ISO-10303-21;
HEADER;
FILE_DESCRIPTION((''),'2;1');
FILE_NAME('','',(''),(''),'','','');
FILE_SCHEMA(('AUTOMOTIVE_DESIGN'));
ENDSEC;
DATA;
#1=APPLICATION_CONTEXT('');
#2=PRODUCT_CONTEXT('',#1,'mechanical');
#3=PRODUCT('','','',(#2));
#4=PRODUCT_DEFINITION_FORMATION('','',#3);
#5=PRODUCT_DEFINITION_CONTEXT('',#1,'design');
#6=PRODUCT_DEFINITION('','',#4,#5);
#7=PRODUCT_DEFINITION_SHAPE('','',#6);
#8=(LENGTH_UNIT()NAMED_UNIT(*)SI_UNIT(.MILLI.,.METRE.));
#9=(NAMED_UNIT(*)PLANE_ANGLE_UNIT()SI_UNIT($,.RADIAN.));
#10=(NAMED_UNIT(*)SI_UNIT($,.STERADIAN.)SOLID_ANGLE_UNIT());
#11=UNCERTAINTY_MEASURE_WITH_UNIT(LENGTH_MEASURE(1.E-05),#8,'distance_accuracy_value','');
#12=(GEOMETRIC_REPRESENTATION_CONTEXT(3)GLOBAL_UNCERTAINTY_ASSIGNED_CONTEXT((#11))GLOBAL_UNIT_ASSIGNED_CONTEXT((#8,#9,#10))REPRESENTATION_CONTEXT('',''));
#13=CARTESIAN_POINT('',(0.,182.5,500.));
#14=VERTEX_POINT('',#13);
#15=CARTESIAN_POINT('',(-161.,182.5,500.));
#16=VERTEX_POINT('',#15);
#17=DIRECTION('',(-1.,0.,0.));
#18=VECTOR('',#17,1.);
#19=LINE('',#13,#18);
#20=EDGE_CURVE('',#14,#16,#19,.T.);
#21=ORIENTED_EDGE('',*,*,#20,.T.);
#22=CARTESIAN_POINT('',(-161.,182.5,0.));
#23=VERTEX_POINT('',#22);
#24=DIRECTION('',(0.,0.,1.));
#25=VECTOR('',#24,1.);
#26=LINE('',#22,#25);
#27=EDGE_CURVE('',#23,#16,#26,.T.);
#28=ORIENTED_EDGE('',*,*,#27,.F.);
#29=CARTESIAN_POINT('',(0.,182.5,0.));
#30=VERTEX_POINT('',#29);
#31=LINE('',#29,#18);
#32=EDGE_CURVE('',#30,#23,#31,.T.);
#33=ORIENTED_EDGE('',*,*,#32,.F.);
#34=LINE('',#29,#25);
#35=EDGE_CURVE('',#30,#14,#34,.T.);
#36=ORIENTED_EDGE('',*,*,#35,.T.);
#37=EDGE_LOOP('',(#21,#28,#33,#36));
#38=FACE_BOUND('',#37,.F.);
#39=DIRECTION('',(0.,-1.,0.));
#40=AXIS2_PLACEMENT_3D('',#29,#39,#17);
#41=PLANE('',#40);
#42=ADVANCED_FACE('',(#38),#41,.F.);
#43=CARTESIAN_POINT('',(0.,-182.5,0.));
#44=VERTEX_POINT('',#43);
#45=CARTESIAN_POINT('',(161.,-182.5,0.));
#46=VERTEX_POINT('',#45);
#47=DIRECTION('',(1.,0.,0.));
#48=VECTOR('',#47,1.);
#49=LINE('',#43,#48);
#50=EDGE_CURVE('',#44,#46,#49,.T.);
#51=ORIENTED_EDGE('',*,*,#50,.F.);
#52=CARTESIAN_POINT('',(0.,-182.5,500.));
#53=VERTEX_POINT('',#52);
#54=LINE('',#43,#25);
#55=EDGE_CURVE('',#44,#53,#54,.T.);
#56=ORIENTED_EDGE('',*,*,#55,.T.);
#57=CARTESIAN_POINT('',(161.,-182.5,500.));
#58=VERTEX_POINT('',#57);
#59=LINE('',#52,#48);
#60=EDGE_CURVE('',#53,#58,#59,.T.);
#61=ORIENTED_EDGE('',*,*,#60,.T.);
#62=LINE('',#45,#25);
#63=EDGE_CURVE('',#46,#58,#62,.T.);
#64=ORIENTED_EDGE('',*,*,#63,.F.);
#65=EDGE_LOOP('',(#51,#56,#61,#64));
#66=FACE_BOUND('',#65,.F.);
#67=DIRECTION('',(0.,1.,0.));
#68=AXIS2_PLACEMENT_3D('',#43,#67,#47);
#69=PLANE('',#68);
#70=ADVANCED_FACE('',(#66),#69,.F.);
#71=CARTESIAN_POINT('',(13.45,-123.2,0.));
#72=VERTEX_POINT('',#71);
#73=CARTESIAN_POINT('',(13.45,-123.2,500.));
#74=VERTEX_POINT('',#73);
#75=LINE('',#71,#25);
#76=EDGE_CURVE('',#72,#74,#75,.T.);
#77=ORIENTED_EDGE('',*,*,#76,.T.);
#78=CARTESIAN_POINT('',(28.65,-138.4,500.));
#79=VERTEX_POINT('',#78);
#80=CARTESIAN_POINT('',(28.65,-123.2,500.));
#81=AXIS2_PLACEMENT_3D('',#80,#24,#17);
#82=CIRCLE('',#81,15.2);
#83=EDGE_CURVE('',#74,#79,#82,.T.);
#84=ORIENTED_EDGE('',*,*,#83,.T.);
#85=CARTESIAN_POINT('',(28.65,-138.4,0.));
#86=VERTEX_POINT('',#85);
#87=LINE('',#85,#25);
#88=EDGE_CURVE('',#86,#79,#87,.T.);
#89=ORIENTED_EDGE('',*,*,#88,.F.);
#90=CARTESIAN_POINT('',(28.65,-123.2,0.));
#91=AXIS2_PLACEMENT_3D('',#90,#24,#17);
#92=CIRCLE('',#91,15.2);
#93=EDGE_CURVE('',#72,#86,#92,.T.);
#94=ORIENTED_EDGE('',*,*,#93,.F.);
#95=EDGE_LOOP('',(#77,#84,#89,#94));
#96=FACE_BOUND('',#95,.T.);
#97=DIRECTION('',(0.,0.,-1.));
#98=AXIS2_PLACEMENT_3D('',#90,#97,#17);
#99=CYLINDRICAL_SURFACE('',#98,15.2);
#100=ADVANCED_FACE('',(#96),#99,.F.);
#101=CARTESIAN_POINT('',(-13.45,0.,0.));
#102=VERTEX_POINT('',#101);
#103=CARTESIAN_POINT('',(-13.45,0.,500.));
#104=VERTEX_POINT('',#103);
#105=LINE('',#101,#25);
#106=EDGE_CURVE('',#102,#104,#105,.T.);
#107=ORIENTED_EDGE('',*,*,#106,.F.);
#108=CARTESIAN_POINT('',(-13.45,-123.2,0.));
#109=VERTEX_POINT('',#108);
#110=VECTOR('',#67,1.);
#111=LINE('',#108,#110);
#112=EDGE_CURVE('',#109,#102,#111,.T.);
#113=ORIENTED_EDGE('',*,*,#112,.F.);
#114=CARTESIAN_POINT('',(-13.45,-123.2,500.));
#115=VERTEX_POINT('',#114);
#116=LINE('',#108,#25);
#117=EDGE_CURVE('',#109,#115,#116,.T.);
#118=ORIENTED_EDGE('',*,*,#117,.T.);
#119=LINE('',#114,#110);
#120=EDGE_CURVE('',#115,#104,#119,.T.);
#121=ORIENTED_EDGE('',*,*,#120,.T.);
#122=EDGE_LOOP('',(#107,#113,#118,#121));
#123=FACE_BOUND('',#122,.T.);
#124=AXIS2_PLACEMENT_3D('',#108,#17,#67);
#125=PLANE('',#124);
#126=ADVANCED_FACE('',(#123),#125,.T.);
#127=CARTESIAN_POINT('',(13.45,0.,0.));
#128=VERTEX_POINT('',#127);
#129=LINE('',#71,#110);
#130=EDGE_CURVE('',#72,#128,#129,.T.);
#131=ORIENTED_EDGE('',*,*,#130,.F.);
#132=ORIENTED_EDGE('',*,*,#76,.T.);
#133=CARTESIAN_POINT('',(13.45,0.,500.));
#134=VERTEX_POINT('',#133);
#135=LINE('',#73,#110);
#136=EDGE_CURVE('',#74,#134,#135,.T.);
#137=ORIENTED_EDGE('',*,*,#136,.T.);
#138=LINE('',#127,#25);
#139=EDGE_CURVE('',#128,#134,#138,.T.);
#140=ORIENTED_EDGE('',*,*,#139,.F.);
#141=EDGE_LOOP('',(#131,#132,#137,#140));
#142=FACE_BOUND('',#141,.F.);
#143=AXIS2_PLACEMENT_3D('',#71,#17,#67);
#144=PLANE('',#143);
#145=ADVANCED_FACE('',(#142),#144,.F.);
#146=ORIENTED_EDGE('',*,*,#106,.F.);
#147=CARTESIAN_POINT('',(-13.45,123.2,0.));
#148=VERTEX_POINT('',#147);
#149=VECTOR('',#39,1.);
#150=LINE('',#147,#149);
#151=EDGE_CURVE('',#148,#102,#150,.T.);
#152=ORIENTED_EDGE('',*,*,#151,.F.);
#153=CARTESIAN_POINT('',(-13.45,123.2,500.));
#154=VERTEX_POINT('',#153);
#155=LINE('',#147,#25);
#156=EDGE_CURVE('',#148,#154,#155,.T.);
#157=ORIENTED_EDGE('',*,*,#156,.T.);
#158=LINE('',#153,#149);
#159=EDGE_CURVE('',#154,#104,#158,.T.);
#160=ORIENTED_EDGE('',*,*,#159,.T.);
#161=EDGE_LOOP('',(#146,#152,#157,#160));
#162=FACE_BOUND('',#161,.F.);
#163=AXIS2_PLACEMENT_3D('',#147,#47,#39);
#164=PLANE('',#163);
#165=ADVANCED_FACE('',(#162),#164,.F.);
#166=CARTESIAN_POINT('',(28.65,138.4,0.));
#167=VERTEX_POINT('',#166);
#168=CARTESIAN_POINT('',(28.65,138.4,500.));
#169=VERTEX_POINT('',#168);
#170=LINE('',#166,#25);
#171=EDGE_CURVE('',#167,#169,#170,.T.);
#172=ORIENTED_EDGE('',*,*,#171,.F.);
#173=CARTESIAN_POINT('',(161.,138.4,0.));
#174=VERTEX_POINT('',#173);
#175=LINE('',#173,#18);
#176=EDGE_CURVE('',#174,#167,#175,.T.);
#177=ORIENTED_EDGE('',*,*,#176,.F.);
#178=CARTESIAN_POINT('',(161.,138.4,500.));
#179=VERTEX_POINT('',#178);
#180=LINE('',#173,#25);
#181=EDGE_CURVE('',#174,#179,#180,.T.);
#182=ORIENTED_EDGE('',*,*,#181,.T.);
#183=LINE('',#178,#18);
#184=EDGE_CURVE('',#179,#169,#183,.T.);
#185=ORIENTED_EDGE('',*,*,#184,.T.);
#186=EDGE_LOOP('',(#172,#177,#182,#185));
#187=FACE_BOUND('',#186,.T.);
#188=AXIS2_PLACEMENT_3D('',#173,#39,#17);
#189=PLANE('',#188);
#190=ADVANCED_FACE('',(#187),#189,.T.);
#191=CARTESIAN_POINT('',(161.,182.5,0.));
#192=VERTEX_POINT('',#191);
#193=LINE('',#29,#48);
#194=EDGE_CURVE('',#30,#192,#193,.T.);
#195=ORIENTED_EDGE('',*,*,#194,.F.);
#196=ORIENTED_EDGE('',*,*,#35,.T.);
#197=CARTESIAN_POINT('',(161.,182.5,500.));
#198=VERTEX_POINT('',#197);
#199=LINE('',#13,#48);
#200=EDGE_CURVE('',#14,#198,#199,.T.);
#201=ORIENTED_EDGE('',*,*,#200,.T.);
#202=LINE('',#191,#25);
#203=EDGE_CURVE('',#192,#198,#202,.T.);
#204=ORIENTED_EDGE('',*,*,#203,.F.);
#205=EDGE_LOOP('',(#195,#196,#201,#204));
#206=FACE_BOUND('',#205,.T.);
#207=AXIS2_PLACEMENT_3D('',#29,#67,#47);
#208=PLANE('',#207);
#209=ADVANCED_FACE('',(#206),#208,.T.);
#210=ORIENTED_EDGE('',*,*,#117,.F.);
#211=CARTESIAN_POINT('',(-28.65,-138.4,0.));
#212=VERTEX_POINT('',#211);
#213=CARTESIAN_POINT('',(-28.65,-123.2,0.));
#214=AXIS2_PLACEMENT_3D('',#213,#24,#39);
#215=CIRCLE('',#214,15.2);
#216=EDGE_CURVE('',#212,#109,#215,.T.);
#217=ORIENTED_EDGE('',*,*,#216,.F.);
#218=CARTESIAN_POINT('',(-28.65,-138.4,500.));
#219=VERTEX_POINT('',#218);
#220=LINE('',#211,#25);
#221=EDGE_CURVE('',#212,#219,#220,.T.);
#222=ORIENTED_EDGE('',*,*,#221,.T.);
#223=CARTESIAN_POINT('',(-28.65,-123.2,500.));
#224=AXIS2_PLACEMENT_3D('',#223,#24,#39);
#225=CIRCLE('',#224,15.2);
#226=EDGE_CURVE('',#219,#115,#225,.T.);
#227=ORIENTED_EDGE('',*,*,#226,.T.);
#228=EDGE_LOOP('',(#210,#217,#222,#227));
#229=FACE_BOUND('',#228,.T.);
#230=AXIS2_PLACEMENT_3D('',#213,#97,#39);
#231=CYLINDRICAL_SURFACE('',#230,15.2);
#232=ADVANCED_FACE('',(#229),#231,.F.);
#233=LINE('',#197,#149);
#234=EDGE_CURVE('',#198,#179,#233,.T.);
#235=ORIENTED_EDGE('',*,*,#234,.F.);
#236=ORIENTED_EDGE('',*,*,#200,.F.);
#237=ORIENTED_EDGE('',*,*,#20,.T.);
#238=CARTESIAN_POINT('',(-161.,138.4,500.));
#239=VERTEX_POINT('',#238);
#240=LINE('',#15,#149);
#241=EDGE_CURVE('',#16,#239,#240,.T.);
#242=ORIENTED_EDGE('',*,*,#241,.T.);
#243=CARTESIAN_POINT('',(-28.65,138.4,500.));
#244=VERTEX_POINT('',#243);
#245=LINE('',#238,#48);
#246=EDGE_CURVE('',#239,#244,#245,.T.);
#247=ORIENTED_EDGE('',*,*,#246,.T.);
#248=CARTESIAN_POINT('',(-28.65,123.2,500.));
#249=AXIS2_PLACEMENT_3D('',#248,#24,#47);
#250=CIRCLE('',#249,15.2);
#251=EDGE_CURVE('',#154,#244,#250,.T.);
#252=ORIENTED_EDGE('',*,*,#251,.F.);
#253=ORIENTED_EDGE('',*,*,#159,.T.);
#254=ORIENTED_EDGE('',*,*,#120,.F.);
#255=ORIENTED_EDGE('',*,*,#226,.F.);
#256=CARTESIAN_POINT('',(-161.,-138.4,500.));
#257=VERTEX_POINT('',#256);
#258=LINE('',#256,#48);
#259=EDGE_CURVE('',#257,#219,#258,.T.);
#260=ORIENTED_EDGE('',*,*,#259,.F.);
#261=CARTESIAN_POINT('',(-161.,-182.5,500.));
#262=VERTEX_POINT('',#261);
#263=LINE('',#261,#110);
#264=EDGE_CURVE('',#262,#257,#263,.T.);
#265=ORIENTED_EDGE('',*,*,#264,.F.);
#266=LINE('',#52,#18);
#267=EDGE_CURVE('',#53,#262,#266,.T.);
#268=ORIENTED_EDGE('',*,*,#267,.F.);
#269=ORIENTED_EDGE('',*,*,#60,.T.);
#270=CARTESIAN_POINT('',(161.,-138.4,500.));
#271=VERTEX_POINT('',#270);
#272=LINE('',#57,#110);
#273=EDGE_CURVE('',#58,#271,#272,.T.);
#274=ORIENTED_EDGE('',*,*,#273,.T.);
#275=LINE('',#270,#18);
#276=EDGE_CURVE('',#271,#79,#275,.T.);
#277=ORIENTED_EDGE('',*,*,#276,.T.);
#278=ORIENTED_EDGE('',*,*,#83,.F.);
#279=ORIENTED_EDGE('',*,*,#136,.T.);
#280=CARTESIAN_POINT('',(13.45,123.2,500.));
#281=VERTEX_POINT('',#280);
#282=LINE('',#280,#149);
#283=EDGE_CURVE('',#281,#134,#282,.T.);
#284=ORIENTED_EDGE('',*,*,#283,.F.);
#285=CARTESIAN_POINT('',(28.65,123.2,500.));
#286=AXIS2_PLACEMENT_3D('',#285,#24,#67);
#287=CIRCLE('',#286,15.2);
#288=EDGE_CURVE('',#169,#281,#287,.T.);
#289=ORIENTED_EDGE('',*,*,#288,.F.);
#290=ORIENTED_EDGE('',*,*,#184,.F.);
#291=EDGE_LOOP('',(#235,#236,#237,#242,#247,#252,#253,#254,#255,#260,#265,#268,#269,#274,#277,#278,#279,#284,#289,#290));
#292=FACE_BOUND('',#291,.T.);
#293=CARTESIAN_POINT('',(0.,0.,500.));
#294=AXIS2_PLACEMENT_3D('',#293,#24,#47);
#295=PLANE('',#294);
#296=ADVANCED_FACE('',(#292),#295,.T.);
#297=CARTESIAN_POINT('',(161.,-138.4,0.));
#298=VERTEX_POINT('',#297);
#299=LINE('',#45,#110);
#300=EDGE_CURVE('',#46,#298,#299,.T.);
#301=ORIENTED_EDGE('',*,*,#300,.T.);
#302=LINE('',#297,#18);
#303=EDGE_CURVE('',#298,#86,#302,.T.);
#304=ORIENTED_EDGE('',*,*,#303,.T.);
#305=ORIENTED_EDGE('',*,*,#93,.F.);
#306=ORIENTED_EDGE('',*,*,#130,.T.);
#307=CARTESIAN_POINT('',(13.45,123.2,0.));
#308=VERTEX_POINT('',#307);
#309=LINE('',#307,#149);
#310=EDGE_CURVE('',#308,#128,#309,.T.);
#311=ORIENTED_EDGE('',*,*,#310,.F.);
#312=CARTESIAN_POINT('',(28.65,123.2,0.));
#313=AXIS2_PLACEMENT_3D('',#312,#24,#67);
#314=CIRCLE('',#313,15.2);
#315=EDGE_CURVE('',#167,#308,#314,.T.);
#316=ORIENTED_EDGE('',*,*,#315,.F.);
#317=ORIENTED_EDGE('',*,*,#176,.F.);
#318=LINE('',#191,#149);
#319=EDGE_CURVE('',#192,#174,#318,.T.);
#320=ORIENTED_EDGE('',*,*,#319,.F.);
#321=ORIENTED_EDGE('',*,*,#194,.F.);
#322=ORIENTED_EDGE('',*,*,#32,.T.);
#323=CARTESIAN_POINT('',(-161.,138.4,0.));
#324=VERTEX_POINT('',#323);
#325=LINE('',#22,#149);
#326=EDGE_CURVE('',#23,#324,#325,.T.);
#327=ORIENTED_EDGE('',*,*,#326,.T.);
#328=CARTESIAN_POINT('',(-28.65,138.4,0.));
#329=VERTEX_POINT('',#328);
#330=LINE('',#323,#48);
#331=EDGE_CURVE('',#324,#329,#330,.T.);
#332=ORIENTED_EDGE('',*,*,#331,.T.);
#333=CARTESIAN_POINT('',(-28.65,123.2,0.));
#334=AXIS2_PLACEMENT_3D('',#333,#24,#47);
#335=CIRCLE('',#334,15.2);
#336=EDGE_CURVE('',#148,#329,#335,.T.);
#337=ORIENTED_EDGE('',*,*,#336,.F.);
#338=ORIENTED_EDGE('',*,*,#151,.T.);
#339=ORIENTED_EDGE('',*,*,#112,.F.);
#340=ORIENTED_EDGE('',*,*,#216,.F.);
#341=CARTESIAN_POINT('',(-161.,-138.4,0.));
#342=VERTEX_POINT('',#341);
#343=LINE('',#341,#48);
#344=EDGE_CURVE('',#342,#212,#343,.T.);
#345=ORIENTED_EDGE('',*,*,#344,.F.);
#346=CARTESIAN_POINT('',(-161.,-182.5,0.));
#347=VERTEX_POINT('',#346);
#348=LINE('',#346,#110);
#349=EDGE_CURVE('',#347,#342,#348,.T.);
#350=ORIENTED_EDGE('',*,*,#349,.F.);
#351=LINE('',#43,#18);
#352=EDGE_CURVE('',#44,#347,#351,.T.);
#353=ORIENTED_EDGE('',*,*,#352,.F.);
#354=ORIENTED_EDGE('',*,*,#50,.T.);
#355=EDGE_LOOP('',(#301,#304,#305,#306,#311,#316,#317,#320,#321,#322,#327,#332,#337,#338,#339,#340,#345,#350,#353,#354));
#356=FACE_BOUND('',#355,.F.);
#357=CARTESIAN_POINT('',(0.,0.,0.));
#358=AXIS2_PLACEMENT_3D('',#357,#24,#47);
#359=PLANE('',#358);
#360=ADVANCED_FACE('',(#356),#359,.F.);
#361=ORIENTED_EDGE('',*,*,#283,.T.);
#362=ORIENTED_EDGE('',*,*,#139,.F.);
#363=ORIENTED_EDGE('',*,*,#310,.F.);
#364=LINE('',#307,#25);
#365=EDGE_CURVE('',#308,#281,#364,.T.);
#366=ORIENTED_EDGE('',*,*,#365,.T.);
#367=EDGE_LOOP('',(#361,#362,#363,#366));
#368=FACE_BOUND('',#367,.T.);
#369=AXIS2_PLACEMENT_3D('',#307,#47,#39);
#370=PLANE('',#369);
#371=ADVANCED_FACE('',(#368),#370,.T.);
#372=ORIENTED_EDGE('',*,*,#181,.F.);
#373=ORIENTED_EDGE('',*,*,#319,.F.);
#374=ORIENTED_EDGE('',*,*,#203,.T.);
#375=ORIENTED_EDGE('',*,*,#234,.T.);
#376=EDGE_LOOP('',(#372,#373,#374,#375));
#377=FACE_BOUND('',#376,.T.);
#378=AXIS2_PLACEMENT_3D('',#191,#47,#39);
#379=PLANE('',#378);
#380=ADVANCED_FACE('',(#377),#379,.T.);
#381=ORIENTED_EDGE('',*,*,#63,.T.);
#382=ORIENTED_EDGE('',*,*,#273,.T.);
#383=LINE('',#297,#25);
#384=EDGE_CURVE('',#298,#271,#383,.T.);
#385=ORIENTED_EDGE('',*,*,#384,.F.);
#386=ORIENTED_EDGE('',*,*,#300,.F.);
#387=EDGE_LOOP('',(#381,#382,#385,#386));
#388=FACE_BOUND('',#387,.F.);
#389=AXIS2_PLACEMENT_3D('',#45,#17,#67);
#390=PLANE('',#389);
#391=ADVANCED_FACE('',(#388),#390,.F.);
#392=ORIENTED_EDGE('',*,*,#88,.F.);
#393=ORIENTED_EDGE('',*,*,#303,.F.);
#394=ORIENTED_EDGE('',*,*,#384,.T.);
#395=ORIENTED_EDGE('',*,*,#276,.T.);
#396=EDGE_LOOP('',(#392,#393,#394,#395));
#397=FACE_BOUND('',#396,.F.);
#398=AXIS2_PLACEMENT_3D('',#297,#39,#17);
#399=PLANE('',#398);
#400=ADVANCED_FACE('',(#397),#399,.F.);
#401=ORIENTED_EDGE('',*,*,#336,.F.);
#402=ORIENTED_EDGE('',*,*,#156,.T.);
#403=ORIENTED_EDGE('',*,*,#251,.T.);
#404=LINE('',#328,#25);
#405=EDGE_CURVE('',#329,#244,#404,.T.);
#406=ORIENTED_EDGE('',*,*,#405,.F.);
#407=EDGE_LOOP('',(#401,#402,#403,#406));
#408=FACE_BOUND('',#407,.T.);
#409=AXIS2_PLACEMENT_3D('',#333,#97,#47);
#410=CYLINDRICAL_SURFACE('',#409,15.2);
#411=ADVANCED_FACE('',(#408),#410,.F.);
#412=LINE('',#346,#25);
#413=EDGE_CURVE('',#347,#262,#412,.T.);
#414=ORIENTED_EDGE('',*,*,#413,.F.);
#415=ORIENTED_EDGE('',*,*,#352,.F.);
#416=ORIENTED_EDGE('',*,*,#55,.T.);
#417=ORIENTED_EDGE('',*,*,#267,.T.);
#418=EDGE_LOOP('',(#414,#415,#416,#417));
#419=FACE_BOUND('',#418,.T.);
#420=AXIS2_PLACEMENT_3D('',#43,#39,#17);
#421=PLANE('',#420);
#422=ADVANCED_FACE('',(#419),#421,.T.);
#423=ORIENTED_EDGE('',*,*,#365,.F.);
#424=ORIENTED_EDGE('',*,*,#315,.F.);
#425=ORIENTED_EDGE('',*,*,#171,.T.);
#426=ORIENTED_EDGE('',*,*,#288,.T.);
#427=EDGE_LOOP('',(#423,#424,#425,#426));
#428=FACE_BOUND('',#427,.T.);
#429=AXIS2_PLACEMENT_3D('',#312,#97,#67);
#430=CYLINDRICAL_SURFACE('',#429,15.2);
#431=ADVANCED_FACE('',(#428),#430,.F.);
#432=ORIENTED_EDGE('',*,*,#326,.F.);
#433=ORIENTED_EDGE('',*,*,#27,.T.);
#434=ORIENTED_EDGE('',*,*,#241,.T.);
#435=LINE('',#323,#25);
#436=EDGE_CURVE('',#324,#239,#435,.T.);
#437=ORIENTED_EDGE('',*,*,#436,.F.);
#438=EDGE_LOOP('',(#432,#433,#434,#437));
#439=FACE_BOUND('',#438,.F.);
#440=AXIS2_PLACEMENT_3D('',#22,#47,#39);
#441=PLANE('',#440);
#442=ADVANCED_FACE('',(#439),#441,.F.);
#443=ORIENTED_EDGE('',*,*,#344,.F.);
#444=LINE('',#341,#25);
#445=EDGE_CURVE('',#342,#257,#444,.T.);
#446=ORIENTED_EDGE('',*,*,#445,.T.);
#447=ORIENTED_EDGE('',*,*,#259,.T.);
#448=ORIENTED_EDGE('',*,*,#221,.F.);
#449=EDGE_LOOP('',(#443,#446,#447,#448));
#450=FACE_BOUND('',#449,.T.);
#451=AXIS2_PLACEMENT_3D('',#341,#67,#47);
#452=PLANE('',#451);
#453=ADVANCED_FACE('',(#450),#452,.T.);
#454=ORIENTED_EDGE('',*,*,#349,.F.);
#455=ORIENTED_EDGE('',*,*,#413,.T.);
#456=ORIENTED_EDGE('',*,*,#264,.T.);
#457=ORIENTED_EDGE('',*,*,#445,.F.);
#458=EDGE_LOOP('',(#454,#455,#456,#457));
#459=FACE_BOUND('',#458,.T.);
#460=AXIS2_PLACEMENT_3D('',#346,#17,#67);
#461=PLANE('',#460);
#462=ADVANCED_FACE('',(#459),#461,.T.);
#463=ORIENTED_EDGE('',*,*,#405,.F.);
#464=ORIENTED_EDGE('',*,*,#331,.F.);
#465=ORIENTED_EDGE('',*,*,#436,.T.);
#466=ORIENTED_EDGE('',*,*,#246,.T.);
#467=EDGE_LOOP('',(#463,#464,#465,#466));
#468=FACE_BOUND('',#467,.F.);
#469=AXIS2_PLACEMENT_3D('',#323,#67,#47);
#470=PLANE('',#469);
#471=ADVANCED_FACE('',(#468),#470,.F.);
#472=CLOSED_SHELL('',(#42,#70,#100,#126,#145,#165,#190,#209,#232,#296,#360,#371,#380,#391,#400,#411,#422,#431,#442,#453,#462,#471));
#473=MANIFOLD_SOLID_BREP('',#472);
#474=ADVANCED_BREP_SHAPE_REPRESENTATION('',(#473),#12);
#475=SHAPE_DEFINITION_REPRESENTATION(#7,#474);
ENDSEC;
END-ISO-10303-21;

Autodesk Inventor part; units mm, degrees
ref_plane "YZ Plane" through (0, 0, 0) normal (1, 0, 0) x (0, 1, 0)
ref_plane "Start plane" through (0, 0, 0) normal (0, 0, 1) x (1, 0, 0)
ref_plane "End plane" through (0, 0, 500) normal (0, 0, 1) x (1, 0, 0)
sketch "Sketch" plane through (0, 0, 0) normal (0, 0, 1) x (1, 0, 0)
  line L0 (-161, -182.5) -> (-161, -138.4)
  line L1 (-161, -138.4) -> (-28.65, -138.4)
  line L2 (-13.45, -123.2) -> (-13.45, 0)
  line L3 (-13.45, 0) -> (0, 0) construction
  line L4 (0, 0) -> (0, -182.5) construction
  line L5 (0, -182.5) -> (-161, -182.5)
  line L6 (-60, 0) -> (80, 0) construction
  line L7 (0, -60) -> (0, 80) construction
  line L8 (161, -182.5) -> (161, -138.4)
  line L9 (161, -138.4) -> (28.65, -138.4)
  line L10 (13.45, -123.2) -> (13.45, 0)
  line L11 (13.45, 0) -> (0, 0) construction
  line L12 (0, -182.5) -> (161, -182.5)
  line L13 (-161, 182.5) -> (-161, 138.4)
  line L14 (-161, 138.4) -> (-28.65, 138.4)
  line L15 (-13.45, 123.2) -> (-13.45, 0)
  line L16 (0, 182.5) -> (-161, 182.5)
  line L17 (161, 182.5) -> (161, 138.4)
  line L18 (161, 138.4) -> (28.65, 138.4)
  line L19 (0, 182.5) -> (161, 182.5)
  line L20 (13.45, 123.2) -> (13.45, 0)
  arc A0 (-13.45, 123.2) -> (-28.65, 138.4) centre (-28.65, 123.2) ccw
  arc A1 (28.65, 138.4) -> (13.45, 123.2) centre (28.65, 123.2) ccw
  arc A2 (13.45, -123.2) -> (28.65, -138.4) centre (28.65, -123.2) ccw
  arc A3 (-28.65, -138.4) -> (-13.45, -123.2) centre (-28.65, -123.2) ccw
  line L21 (0, 108) -> (0, -88) construction
  line L22 (-88, 0) -> (108, 0) construction
  point P0 (-13.45, -138.4)
  point P1 (13.45, -138.4)
  point P2 (-13.45, 138.4)
  point P3 (13.45, 138.4)
  dimension "d1" = 182.5
  dimension "d2" = 44.1
  dimension "d3" = 161
  dimension "d4" = 13.45
  dimension "d10" = 15.2
extrude "Body" add sketch "Sketch" along normal up to surface (500 mm away) from surface at 0
sketch "Sketch4" plane through (0, 0, 0) normal (0, 0, 1) x (1, 0, 0)
  line L0 (0, 0) -> (10, 0)
ref_plane "Work Plane3" through (0, 0, 0) normal (0, -1, 0) x (1, 0, 0)
sketch "Sketch5" plane through (0, 0, 0) normal (0, -1, 0) x (1, 0, 0)
  line L0 (-2, 0) -> (12, 0) projected
  line L1 (-2, 500) -> (12, 500) projected
  dimension "d14" = 500
equation "\"d1\" = 0.5 * G_H"
equation "\"d2\" = G_T1"
equation "\"d3\" = 0.5 * G_W"
equation "\"d4\" = 0.5 * G_T"
equation "\"d10\" = G_IR"
equation "\"d5\" = G_L"
equation "\"G_W\" = 322"
equation "\"G_H\" = 365"
equation "\"G_T\" = 26.9"
equation "\"G_T1\" = 44.1"
equation "\"G_IR\" = 15.2"
equation "\"G_L\" = d14"
equation "\"G_OFFSET_START\" = 0"
equation "\"G_OFFSET_END\" = 0"
properties part number "AS 3679 - 310 UC - 283 - 500" material "Steel, Mild"
